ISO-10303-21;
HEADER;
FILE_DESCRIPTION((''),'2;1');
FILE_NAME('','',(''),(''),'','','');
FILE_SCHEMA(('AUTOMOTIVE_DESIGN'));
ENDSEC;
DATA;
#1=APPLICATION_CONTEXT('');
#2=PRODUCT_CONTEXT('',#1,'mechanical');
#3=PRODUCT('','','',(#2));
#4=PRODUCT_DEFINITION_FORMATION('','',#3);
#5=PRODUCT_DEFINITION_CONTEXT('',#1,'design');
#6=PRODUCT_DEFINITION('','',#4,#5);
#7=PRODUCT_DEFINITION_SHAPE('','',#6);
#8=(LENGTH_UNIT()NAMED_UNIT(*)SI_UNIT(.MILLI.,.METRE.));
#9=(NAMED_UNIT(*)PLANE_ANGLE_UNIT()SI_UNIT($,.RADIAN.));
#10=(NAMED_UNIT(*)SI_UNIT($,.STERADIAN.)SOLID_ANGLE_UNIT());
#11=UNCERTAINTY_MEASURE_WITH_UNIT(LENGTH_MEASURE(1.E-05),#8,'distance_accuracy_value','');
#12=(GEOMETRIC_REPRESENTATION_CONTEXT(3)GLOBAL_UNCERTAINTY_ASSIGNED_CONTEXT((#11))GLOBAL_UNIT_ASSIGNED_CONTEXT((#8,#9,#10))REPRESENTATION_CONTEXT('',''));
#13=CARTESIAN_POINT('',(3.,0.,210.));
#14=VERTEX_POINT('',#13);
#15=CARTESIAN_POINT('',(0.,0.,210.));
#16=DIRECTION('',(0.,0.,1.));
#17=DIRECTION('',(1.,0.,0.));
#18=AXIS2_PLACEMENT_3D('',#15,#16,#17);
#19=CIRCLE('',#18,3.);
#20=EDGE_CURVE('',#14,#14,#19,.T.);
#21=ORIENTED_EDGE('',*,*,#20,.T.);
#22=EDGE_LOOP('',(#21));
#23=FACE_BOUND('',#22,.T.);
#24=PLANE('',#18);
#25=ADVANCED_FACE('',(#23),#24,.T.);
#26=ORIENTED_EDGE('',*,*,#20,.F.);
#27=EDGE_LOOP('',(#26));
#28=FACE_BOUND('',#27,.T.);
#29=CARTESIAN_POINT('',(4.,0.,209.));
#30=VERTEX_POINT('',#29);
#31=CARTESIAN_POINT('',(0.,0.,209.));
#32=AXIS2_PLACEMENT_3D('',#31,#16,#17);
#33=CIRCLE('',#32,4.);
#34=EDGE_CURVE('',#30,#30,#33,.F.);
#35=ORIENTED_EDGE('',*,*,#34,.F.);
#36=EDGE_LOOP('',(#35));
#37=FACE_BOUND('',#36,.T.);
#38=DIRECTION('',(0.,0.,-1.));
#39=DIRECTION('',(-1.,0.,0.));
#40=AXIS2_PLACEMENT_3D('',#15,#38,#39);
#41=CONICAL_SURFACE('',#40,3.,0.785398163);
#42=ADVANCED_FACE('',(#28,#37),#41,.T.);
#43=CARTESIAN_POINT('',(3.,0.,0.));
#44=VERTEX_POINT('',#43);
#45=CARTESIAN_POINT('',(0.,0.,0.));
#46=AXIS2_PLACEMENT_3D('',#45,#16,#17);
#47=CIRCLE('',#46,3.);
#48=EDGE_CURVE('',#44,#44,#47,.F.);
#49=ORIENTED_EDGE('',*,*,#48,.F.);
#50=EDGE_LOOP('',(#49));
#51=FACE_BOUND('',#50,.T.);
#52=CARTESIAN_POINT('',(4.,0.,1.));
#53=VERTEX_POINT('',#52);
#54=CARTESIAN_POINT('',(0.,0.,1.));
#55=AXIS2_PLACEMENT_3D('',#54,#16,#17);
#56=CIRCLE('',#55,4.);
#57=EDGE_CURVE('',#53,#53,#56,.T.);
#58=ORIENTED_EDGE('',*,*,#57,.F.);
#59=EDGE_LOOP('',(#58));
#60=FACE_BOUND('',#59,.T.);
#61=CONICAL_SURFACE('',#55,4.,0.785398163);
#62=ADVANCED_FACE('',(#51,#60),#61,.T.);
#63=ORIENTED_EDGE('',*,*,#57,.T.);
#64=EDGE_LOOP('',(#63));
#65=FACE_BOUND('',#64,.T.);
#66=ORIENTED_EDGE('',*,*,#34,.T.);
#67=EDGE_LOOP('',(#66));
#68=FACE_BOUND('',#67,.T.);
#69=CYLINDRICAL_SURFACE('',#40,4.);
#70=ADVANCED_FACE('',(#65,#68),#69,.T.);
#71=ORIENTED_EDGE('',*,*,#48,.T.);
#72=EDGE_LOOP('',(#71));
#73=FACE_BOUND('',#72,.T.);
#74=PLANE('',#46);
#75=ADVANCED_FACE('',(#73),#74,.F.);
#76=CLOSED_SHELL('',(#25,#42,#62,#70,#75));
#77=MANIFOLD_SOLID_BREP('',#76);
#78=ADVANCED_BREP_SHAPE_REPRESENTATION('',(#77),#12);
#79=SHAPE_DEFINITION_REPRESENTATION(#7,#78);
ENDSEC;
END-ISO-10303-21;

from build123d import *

# Parameters (mm, degrees)
SKICA1_R                = 4
P_IDAT_VYSUNUT_M1_DEPTH = 210
ZKOSEN_1_SIZE           = 1


with BuildPart() as part:
    # Skica1 → Přidat vysunutím1 (new body)
    with BuildSketch(Plane.XY):
        Circle(SKICA1_R)
    extrude(amount=P_IDAT_VYSUNUT_M1_DEPTH)

    # Zkosení1
    zkosen_1_edges = [part.edges().sort_by_distance(p)[0] for p in [
        (-4, 0, 0),
        (-4, 0, 210),
    ]]
    chamfer(zkosen_1_edges, length=ZKOSEN_1_SIZE)


solid = part.part
